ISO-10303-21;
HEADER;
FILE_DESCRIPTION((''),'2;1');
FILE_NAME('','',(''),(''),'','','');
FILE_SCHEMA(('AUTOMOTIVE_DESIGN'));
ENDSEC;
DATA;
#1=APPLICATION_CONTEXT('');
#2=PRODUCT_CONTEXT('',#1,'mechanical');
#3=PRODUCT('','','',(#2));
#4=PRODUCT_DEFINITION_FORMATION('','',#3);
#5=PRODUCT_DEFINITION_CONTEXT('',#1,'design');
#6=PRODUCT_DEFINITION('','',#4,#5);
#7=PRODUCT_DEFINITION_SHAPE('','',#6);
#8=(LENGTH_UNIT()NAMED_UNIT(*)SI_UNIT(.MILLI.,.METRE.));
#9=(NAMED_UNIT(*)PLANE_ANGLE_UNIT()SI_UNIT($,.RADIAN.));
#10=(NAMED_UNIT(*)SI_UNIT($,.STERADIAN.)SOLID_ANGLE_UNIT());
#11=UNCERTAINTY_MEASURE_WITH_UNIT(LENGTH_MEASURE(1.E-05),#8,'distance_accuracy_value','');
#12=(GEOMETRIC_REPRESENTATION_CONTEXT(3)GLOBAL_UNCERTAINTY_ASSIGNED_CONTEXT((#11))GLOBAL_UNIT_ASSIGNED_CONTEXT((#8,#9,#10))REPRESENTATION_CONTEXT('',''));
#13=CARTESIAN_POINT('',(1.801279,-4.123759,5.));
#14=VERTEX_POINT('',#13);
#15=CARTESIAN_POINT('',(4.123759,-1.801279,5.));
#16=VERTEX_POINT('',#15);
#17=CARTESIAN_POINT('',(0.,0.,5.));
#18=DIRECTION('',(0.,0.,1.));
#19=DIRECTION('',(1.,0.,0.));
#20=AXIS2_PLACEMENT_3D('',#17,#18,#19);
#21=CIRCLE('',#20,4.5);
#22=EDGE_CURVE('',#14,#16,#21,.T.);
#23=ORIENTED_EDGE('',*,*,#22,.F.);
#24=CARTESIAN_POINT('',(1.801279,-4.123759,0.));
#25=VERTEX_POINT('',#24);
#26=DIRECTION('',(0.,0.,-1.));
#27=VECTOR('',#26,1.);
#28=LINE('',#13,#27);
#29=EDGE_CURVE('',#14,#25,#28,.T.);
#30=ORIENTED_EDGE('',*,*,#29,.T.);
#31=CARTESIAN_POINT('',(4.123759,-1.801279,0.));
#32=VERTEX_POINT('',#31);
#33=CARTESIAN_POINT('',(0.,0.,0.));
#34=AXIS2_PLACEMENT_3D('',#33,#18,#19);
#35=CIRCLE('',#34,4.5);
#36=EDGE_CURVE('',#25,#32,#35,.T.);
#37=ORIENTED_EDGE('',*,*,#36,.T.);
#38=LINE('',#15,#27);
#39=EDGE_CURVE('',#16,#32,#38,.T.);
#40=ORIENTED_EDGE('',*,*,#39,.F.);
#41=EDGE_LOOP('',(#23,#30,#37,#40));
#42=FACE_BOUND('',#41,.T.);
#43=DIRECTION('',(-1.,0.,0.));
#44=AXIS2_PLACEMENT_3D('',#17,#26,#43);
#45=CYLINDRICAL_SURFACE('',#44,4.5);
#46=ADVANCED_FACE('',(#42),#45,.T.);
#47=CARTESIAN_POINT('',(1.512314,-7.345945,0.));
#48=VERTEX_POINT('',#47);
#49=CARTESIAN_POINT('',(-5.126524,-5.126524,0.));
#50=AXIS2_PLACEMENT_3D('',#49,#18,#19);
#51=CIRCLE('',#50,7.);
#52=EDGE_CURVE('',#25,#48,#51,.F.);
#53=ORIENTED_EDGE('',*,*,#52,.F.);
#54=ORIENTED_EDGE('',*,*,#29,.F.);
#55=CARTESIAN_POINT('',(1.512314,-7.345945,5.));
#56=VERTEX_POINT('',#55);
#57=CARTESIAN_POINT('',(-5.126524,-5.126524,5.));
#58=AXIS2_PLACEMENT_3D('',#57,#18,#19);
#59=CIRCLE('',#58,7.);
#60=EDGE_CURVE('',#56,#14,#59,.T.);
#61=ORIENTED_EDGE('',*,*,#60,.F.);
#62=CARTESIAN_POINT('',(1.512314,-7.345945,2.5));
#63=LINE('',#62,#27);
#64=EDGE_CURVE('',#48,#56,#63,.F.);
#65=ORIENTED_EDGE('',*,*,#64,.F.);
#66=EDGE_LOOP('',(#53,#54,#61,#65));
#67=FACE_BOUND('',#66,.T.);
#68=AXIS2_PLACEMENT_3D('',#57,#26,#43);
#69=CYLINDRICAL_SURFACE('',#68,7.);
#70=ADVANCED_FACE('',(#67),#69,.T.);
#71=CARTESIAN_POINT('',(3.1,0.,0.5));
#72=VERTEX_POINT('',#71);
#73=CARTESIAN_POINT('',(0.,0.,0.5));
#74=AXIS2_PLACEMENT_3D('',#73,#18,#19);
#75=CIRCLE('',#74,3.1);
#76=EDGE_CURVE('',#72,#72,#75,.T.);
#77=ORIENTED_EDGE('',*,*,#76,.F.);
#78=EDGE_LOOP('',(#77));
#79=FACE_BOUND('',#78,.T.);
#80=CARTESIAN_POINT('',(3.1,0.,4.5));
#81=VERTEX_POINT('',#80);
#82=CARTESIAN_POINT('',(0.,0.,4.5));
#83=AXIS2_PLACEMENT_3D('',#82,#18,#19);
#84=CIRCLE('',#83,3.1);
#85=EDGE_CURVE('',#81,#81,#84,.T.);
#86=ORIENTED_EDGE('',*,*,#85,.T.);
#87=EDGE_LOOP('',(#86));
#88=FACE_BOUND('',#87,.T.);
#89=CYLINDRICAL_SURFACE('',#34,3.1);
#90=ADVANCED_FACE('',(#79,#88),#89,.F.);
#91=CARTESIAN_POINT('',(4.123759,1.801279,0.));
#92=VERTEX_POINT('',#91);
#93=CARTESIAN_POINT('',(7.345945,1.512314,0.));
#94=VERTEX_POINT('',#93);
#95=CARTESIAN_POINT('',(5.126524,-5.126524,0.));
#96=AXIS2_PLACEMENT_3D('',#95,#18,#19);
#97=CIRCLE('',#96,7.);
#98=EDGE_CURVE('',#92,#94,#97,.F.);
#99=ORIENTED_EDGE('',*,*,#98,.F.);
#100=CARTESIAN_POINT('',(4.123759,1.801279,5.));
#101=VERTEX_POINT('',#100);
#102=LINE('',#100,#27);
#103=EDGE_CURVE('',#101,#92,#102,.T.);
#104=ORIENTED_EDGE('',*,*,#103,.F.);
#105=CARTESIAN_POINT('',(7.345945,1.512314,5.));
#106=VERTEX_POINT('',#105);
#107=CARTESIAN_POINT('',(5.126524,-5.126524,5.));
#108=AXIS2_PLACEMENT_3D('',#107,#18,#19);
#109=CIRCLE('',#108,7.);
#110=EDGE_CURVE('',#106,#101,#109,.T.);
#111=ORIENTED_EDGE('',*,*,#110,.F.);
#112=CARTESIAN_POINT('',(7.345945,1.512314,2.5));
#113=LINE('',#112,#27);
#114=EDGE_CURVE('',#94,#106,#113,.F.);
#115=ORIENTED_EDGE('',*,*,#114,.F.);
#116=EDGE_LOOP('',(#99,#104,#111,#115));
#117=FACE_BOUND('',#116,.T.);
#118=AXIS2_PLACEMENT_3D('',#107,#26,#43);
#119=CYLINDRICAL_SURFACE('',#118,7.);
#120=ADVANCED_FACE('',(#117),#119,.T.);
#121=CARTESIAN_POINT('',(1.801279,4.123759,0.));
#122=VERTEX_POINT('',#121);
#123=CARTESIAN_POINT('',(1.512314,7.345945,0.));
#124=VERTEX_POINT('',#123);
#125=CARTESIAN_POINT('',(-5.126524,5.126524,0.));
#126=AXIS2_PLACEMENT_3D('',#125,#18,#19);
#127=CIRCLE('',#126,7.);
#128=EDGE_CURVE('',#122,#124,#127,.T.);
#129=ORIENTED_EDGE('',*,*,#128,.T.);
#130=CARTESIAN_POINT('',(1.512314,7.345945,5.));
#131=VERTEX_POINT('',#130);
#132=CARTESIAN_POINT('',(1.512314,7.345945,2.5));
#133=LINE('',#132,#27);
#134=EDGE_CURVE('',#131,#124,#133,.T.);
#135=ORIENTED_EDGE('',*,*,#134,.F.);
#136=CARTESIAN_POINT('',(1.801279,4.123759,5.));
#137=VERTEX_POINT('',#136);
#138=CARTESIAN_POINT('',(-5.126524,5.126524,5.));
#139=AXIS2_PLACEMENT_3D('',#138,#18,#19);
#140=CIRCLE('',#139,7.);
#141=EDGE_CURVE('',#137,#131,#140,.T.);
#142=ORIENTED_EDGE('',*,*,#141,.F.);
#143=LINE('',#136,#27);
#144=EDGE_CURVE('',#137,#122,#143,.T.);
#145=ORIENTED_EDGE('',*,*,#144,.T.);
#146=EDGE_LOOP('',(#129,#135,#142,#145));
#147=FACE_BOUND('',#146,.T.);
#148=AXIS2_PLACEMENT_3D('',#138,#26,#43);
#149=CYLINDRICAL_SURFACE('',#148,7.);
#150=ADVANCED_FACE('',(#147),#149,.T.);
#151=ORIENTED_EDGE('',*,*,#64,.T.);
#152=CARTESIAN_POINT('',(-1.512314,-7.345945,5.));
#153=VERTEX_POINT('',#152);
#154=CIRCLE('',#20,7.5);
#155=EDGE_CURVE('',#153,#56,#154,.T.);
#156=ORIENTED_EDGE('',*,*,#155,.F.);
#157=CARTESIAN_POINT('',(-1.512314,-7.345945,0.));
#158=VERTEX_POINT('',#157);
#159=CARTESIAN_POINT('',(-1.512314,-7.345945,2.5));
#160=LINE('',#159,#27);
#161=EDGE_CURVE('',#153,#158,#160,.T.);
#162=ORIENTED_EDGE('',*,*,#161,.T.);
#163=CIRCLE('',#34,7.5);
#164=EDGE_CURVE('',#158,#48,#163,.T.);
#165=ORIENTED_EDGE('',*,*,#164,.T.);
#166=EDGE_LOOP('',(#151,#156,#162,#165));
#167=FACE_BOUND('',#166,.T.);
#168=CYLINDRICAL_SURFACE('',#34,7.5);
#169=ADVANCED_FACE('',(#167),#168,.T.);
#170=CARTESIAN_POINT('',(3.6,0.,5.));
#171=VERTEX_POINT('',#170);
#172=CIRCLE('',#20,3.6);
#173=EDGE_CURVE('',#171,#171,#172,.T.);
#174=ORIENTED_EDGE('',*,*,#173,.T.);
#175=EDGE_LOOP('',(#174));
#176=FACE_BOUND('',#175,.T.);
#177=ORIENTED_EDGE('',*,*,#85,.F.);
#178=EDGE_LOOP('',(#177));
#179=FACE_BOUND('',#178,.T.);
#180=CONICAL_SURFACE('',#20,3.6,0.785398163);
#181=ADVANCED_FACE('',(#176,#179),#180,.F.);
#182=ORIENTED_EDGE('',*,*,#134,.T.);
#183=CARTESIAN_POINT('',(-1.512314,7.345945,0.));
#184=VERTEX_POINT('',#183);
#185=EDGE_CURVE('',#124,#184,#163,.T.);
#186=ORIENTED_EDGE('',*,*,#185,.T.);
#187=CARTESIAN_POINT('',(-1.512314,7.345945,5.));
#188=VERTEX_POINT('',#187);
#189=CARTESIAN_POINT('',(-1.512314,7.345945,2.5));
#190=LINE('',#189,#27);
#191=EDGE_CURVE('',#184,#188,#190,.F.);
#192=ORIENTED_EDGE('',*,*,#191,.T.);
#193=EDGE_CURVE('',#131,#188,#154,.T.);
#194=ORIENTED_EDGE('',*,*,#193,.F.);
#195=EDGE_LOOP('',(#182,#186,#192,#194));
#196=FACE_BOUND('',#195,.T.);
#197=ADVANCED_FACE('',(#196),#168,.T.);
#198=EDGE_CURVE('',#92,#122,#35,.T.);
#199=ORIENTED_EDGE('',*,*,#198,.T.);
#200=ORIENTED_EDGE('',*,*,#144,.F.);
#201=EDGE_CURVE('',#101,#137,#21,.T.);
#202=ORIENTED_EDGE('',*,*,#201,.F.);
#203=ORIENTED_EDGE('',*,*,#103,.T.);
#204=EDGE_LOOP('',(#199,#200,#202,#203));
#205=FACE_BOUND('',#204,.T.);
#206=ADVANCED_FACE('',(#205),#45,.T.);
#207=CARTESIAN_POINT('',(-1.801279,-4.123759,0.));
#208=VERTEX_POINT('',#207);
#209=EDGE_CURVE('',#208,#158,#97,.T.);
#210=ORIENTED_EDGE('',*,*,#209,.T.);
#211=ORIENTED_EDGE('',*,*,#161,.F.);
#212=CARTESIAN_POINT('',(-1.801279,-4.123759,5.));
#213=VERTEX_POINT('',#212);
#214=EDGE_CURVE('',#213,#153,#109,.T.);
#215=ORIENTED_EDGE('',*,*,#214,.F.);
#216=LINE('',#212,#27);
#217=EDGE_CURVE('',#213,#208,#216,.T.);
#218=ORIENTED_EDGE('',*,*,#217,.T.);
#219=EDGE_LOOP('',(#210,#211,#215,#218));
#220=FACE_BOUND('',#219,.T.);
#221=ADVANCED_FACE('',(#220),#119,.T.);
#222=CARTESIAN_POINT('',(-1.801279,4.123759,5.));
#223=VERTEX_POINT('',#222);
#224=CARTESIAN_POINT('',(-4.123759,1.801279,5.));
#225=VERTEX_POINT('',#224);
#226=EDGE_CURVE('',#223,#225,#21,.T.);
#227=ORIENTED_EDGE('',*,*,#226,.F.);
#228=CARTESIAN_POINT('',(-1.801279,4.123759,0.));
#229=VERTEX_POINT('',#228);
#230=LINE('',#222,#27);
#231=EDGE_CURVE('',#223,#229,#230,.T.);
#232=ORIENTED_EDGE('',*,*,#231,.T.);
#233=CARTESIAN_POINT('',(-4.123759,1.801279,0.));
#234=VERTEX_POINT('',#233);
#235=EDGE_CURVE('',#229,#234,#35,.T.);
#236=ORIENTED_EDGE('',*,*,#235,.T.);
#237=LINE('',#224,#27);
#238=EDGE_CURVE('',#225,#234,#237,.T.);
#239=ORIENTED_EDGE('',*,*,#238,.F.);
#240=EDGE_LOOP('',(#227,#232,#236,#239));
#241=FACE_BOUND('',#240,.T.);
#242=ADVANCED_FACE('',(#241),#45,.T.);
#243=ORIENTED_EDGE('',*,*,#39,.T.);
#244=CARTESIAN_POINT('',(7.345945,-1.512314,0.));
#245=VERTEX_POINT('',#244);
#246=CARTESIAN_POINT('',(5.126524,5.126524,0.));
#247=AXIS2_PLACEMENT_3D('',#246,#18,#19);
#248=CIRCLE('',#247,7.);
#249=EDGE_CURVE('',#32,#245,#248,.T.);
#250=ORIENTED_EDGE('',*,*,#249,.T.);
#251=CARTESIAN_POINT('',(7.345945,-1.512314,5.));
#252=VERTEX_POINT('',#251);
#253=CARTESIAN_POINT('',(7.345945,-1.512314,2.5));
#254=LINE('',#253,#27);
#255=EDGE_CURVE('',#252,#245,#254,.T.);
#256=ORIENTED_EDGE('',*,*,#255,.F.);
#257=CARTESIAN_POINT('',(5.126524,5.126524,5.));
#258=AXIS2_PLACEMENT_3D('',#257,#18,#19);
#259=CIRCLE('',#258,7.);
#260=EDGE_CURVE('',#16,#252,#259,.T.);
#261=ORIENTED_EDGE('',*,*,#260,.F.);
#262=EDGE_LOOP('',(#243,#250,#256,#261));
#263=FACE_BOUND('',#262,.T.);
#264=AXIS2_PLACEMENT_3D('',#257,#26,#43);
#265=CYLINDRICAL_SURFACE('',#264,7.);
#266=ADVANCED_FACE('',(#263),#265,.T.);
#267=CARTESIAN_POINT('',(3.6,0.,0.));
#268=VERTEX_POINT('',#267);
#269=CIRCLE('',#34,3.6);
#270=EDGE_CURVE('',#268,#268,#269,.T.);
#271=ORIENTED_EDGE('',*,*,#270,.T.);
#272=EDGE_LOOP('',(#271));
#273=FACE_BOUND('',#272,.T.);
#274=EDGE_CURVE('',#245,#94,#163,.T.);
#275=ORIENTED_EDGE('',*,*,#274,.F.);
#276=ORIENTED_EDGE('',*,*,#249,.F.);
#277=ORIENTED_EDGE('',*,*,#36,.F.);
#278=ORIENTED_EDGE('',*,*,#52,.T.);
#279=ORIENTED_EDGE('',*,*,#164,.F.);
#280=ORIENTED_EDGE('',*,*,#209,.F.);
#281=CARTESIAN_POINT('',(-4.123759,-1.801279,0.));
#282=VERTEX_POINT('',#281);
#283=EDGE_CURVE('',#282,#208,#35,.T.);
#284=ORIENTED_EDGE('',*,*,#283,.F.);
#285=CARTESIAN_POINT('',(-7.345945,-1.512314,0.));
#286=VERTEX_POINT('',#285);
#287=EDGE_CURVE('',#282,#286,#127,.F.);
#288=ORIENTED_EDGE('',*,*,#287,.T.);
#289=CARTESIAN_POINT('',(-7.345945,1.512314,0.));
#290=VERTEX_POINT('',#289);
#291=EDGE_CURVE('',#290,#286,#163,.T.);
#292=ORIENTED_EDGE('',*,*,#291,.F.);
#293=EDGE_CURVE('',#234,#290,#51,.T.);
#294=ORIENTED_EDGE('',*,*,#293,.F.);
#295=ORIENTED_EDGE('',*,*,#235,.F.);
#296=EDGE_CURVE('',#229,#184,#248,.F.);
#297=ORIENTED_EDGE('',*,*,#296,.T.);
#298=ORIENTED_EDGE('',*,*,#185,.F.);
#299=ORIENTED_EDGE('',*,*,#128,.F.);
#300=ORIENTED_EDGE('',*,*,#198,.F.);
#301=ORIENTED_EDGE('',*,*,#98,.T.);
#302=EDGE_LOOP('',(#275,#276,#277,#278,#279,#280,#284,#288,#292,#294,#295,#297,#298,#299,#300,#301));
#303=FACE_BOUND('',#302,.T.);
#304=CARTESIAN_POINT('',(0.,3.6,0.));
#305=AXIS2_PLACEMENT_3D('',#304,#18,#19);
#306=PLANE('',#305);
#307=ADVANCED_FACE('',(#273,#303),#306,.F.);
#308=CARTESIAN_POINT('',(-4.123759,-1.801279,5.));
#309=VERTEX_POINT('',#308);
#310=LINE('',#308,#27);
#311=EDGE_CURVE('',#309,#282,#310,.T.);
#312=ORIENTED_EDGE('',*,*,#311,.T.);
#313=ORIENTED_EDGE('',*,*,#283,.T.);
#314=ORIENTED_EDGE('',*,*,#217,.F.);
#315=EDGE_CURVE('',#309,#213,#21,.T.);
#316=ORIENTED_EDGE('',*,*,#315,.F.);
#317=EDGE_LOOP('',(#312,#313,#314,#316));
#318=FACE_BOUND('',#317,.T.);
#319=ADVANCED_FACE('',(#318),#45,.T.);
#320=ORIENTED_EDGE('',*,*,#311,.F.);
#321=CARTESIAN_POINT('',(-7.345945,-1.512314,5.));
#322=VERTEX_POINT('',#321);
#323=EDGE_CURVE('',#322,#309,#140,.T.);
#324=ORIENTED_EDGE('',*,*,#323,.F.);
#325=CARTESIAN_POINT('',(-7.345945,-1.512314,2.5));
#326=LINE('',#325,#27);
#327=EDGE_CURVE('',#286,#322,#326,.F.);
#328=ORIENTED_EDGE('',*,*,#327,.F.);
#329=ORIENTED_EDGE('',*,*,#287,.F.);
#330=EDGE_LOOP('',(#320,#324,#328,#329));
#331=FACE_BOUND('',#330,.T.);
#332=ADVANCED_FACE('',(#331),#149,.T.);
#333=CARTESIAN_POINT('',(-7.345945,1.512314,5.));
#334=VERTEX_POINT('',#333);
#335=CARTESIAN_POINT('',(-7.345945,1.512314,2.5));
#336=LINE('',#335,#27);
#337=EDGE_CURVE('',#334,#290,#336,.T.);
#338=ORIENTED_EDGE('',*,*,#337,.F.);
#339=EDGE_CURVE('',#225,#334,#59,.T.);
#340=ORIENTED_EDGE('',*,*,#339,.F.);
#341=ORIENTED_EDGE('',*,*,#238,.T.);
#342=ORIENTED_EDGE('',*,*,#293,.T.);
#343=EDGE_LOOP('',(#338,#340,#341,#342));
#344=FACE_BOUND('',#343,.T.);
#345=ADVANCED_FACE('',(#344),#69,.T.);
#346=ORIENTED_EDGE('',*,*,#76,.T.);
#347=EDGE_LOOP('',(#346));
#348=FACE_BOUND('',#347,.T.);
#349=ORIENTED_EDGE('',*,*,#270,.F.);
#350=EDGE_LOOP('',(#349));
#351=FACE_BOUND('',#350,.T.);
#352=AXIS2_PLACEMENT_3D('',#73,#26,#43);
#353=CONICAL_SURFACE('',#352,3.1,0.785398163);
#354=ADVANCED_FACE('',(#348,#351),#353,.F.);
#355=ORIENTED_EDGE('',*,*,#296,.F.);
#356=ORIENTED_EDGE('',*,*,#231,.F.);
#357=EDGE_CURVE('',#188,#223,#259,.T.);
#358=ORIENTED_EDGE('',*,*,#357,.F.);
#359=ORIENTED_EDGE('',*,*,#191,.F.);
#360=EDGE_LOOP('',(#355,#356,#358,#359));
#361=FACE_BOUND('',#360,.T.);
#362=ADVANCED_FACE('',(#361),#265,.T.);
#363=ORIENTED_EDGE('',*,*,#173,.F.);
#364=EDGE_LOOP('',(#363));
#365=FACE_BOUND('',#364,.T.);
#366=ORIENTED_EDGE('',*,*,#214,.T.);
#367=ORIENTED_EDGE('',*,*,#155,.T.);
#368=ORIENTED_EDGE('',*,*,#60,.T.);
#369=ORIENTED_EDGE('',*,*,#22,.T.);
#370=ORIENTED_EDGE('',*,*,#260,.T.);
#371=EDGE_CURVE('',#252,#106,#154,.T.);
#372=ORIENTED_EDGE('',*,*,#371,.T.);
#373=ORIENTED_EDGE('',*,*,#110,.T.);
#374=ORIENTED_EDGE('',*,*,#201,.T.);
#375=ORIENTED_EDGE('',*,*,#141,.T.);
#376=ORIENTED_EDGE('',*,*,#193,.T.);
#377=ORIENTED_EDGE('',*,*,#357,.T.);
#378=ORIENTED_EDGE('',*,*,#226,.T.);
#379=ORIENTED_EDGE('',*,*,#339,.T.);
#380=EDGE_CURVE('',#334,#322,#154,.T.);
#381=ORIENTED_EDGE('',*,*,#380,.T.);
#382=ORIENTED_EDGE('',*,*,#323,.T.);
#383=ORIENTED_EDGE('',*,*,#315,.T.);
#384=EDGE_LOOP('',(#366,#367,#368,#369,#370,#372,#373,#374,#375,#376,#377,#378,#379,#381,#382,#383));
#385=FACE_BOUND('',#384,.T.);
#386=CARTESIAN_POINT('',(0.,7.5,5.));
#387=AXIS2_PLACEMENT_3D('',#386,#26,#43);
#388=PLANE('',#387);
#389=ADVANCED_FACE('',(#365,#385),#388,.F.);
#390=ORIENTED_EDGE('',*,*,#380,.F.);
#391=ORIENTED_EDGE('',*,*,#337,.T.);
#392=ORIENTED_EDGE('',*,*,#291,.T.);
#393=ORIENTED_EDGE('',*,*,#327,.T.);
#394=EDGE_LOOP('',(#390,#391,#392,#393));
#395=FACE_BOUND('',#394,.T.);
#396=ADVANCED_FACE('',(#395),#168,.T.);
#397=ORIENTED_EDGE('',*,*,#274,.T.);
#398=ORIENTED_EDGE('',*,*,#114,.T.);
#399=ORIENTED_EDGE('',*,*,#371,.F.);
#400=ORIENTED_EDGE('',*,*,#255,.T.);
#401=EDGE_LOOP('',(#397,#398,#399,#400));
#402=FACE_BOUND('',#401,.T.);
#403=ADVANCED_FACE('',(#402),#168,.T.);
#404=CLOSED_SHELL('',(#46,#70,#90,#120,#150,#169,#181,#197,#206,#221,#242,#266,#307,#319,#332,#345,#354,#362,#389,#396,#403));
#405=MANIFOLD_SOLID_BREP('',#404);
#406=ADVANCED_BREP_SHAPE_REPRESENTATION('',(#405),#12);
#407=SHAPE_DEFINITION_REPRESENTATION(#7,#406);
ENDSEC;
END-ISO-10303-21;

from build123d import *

# Parameters (mm, degrees)
SKETCH2_R          = 15
CUT_EXTRUDE1_DEPTH = 5


with BuildPart() as part:
    # Sketch1 → Revolve1 (revolve)
    with BuildSketch(Plane(origin=(0, 0, 0), x_dir=(0, 0, -1), z_dir=(1, 0, 0))):
        Polygon((-5, 7.5), (-5, 3.6), (-4.5, 3.1), (-0.5, 3.1), (0, 3.6), (0, 7.5), align=None)
    revolve(axis=Axis((0, 0, 0), (0, 0, 1)))

    # Sketch2 → Cut-Extrude1 (cut)
    with BuildSketch(Plane.XY):
        Circle(SKETCH2_R)
        with BuildLine():
            ThreePointArc((-9.892943155, 0), (-7.212770883, -1.555359899), (-4.123759488, -1.801279457))
            ThreePointArc((-4.123759488, -1.801279457), (-3.181980515, -3.181980515), (-1.801279457, -4.123759488))
            ThreePointArc((-1.801279457, -4.123759488), (-1.555359899, -7.212770883), (0, -9.892943155))
            ThreePointArc((0, -9.892943155), (1.555359899, -7.212770883), (1.801279457, -4.123759488))
            ThreePointArc((1.801279457, -4.123759488), (3.181980515, -3.181980515), (4.123759488, -1.801279457))
            ThreePointArc((4.123759488, -1.801279457), (7.212770883, -1.555359899), (9.892943155, 0))
            ThreePointArc((9.892943155, 0), (7.212770883, 1.555359899), (4.123759488, 1.801279457))
            ThreePointArc((4.123759488, 1.801279457), (3.181980515, 3.181980515), (1.801279457, 4.123759488))
            ThreePointArc((1.801279457, 4.123759488), (1.555359899, 7.212770883), (0, 9.892943155))
            ThreePointArc((0, 9.892943155), (-1.555359899, 7.212770883), (-1.801279457, 4.123759488))
            ThreePointArc((-1.801279457, 4.123759488), (-3.181980515, 3.181980515), (-4.123759488, 1.801279457))
            ThreePointArc((-4.123759488, 1.801279457), (-7.212770883, 1.555359899), (-9.892943155, 0))
        make_face(mode=Mode.SUBTRACT)
    extrude(amount=CUT_EXTRUDE1_DEPTH, mode=Mode.SUBTRACT)


solid = part.part
